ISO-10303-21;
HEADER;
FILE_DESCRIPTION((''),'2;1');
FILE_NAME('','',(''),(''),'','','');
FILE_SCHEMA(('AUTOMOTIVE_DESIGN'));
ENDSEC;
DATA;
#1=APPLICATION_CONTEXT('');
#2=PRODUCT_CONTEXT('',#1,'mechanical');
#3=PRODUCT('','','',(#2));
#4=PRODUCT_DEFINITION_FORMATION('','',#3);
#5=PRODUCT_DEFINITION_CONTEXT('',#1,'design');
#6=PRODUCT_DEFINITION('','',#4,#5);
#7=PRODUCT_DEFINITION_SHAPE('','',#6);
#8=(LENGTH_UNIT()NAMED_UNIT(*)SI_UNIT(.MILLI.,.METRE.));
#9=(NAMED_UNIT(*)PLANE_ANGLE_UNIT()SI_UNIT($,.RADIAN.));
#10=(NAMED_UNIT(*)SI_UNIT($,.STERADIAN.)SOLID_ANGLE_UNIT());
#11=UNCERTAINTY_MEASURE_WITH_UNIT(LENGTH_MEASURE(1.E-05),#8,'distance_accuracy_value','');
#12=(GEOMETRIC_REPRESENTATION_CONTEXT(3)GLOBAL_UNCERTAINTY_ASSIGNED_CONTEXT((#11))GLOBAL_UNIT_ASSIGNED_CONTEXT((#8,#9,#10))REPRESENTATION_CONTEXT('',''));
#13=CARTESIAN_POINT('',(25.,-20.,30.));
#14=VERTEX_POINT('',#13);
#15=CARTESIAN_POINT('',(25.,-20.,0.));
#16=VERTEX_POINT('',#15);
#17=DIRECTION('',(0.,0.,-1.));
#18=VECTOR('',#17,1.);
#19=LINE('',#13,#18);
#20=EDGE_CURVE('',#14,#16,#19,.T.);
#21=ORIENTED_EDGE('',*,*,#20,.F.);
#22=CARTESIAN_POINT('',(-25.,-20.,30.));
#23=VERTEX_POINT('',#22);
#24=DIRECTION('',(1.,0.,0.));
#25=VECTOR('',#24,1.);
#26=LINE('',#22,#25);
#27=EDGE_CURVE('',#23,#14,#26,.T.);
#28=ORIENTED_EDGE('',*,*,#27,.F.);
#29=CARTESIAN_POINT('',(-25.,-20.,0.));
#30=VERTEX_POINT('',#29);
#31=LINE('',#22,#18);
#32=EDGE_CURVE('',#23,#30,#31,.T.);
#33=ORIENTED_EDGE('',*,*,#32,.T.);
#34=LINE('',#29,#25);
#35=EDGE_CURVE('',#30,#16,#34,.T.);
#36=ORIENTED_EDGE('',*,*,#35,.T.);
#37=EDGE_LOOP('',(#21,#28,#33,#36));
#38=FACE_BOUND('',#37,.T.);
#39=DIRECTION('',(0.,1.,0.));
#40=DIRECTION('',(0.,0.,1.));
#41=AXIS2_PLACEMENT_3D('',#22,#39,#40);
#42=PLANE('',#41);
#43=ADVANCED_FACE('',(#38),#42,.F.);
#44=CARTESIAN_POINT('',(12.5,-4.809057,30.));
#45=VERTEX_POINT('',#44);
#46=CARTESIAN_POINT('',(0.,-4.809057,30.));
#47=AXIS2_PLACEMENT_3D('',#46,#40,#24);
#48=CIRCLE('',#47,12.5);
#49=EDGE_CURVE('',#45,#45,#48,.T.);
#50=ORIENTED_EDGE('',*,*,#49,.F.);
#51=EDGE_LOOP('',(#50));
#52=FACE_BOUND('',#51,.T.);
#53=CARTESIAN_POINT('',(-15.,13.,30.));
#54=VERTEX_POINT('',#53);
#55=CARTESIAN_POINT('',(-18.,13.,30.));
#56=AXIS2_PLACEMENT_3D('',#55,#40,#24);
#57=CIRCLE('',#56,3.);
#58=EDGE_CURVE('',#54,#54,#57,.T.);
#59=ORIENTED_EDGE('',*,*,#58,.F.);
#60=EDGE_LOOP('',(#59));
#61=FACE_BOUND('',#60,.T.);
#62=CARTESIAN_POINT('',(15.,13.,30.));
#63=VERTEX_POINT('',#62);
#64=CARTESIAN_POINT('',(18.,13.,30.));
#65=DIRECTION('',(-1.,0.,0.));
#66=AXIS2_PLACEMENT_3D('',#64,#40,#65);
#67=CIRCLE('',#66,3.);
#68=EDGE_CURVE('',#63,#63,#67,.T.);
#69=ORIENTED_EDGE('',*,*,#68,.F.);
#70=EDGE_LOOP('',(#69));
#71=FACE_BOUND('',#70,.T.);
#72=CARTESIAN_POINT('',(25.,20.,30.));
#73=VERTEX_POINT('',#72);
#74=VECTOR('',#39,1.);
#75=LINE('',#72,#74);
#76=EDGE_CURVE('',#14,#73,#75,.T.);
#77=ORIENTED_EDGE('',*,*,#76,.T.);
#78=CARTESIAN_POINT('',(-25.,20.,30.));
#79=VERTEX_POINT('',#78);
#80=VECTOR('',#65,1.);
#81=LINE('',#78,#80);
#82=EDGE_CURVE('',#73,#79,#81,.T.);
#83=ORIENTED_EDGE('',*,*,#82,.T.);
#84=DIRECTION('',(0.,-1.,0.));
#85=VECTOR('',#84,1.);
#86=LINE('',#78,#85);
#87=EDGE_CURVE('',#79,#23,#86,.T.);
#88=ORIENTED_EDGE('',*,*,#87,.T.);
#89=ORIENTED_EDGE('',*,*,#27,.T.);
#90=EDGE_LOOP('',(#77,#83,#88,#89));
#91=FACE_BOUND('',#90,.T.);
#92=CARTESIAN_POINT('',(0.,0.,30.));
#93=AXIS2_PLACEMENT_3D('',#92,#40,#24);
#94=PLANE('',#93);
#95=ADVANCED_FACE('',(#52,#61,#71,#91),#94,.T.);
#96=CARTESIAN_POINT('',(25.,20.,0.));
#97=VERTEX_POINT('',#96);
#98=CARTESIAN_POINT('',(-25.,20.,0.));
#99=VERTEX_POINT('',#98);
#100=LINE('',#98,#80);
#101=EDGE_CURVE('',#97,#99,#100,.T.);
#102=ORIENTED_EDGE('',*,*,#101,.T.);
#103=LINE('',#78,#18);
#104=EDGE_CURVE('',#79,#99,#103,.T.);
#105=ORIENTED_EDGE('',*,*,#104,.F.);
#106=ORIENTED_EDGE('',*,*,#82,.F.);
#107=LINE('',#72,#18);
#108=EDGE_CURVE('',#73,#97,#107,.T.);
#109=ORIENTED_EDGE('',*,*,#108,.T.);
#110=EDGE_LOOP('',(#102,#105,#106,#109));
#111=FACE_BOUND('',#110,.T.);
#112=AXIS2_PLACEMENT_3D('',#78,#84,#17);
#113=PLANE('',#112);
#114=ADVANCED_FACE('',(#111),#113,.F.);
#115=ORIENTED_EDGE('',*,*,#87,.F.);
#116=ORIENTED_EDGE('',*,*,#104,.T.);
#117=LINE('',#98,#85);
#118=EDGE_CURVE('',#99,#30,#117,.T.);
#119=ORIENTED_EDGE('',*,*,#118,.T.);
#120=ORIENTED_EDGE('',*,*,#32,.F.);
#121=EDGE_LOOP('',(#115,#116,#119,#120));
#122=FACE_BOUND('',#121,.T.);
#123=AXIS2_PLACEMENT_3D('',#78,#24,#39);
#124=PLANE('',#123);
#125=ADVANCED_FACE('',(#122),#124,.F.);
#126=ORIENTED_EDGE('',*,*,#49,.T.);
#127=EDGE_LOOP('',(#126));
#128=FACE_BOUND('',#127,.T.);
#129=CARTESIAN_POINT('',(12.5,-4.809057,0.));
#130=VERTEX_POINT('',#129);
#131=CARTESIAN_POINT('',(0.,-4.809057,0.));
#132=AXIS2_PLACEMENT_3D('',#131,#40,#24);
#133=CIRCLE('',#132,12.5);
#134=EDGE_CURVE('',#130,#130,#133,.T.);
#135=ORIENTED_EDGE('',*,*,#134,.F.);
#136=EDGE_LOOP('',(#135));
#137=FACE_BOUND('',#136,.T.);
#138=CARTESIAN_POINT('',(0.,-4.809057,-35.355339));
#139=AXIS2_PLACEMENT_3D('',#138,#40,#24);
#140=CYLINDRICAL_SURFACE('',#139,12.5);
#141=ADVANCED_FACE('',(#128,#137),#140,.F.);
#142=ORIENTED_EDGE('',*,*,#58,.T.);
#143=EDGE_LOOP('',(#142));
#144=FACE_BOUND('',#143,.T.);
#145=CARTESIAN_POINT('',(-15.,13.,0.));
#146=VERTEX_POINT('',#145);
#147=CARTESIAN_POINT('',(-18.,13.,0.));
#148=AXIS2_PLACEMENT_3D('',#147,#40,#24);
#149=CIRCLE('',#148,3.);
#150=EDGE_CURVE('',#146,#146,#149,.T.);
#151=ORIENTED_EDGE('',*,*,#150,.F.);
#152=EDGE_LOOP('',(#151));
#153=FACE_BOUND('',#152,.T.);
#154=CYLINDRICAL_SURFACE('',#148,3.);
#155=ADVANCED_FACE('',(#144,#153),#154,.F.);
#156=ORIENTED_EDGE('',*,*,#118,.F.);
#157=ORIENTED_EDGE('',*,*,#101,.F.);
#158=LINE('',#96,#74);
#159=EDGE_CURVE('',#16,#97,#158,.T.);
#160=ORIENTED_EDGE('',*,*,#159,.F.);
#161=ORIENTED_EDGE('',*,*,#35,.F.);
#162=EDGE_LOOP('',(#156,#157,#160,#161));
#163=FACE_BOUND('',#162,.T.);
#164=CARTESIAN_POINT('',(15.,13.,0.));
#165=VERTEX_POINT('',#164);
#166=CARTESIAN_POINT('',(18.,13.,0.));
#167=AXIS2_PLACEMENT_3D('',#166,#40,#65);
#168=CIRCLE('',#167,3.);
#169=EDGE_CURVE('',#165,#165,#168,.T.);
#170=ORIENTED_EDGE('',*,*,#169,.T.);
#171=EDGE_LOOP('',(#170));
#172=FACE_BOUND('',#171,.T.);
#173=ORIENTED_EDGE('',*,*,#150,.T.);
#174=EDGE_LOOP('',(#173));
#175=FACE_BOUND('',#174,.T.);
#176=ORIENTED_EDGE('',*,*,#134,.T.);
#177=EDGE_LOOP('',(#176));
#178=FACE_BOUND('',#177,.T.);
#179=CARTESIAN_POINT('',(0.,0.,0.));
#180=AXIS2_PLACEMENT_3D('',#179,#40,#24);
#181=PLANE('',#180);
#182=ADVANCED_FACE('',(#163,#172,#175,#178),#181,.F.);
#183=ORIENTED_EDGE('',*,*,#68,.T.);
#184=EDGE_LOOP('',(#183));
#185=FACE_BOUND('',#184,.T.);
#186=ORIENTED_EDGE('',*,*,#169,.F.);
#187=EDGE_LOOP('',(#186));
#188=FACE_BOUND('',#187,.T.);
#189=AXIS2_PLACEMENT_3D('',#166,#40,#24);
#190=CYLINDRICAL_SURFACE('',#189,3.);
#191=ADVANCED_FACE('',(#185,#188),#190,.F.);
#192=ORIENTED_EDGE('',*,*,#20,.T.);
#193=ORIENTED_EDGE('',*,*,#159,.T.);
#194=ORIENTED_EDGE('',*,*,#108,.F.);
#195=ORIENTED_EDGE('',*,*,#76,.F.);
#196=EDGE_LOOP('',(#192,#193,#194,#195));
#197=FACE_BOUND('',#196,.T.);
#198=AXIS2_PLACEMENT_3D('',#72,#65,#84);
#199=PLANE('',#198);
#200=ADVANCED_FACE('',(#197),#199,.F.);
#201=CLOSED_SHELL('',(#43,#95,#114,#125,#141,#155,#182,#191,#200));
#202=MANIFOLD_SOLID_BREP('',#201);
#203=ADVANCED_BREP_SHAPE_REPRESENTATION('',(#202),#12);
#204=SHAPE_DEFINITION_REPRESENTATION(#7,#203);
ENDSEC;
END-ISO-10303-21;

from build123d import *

# Parameters (mm, degrees)
CROQUIS1_W              = 50
CROQUIS1_H              = 40
CROQUIS1_R              = 12.5
SALIENTE_EXTRUIR1_DEPTH = 30
CROQUIS2_R              = 3
CORTAR_EXTRUIR1_DEPTH   = 30
SALIENTE_EXTRUIR2_START = -30
CROQUIS3_R              = 12.5
SALIENTE_EXTRUIR2_DEPTH = 30
CROQUIS4_R              = 12.5
CORTAR_EXTRUIR2_DEPTH   = 20.1
CROQUIS5_R              = 12.5
CORTAR_EXTRUIR3_DEPTH   = 9.9


with BuildPart() as part:
    # Croquis1 → Saliente-Extruir1 (new body)
    with BuildSketch(Plane.XY):
        Rectangle(CROQUIS1_W, CROQUIS1_H)
        Circle(CROQUIS1_R, mode=Mode.SUBTRACT)
    extrude(amount=SALIENTE_EXTRUIR1_DEPTH)

    # Croquis2 → Cortar-Extruir1 (cut)
    with BuildSketch(Plane.XY.offset(30)):
        with Locations((-18, 13)):
            Circle(CROQUIS2_R)
        with Locations(Location((18, 13, 0), (0, 0, 180))):
            Circle(CROQUIS2_R)
    extrude(amount=-CORTAR_EXTRUIR1_DEPTH, mode=Mode.SUBTRACT)

    # Croquis3 → Saliente-Extruir2 (add)
    with BuildSketch(Plane.XY.offset(30).offset(SALIENTE_EXTRUIR2_START)):
        Circle(CROQUIS3_R)
    extrude(amount=SALIENTE_EXTRUIR2_DEPTH)

    # Croquis4 → Cortar-Extruir2 (cut)
    with BuildSketch(Plane.XY.offset(30)):
        with Locations((0, -4.809057324)):
            Circle(CROQUIS4_R)
    extrude(amount=-CORTAR_EXTRUIR2_DEPTH, mode=Mode.SUBTRACT)

    # Croquis5 → Cortar-Extruir3 (cut)
    with BuildSketch(Plane.XY.offset(9.9)):
        with Locations((0, -4.809057324)):
            Circle(CROQUIS5_R)
    extrude(amount=-CORTAR_EXTRUIR3_DEPTH, mode=Mode.SUBTRACT)


solid = part.part
